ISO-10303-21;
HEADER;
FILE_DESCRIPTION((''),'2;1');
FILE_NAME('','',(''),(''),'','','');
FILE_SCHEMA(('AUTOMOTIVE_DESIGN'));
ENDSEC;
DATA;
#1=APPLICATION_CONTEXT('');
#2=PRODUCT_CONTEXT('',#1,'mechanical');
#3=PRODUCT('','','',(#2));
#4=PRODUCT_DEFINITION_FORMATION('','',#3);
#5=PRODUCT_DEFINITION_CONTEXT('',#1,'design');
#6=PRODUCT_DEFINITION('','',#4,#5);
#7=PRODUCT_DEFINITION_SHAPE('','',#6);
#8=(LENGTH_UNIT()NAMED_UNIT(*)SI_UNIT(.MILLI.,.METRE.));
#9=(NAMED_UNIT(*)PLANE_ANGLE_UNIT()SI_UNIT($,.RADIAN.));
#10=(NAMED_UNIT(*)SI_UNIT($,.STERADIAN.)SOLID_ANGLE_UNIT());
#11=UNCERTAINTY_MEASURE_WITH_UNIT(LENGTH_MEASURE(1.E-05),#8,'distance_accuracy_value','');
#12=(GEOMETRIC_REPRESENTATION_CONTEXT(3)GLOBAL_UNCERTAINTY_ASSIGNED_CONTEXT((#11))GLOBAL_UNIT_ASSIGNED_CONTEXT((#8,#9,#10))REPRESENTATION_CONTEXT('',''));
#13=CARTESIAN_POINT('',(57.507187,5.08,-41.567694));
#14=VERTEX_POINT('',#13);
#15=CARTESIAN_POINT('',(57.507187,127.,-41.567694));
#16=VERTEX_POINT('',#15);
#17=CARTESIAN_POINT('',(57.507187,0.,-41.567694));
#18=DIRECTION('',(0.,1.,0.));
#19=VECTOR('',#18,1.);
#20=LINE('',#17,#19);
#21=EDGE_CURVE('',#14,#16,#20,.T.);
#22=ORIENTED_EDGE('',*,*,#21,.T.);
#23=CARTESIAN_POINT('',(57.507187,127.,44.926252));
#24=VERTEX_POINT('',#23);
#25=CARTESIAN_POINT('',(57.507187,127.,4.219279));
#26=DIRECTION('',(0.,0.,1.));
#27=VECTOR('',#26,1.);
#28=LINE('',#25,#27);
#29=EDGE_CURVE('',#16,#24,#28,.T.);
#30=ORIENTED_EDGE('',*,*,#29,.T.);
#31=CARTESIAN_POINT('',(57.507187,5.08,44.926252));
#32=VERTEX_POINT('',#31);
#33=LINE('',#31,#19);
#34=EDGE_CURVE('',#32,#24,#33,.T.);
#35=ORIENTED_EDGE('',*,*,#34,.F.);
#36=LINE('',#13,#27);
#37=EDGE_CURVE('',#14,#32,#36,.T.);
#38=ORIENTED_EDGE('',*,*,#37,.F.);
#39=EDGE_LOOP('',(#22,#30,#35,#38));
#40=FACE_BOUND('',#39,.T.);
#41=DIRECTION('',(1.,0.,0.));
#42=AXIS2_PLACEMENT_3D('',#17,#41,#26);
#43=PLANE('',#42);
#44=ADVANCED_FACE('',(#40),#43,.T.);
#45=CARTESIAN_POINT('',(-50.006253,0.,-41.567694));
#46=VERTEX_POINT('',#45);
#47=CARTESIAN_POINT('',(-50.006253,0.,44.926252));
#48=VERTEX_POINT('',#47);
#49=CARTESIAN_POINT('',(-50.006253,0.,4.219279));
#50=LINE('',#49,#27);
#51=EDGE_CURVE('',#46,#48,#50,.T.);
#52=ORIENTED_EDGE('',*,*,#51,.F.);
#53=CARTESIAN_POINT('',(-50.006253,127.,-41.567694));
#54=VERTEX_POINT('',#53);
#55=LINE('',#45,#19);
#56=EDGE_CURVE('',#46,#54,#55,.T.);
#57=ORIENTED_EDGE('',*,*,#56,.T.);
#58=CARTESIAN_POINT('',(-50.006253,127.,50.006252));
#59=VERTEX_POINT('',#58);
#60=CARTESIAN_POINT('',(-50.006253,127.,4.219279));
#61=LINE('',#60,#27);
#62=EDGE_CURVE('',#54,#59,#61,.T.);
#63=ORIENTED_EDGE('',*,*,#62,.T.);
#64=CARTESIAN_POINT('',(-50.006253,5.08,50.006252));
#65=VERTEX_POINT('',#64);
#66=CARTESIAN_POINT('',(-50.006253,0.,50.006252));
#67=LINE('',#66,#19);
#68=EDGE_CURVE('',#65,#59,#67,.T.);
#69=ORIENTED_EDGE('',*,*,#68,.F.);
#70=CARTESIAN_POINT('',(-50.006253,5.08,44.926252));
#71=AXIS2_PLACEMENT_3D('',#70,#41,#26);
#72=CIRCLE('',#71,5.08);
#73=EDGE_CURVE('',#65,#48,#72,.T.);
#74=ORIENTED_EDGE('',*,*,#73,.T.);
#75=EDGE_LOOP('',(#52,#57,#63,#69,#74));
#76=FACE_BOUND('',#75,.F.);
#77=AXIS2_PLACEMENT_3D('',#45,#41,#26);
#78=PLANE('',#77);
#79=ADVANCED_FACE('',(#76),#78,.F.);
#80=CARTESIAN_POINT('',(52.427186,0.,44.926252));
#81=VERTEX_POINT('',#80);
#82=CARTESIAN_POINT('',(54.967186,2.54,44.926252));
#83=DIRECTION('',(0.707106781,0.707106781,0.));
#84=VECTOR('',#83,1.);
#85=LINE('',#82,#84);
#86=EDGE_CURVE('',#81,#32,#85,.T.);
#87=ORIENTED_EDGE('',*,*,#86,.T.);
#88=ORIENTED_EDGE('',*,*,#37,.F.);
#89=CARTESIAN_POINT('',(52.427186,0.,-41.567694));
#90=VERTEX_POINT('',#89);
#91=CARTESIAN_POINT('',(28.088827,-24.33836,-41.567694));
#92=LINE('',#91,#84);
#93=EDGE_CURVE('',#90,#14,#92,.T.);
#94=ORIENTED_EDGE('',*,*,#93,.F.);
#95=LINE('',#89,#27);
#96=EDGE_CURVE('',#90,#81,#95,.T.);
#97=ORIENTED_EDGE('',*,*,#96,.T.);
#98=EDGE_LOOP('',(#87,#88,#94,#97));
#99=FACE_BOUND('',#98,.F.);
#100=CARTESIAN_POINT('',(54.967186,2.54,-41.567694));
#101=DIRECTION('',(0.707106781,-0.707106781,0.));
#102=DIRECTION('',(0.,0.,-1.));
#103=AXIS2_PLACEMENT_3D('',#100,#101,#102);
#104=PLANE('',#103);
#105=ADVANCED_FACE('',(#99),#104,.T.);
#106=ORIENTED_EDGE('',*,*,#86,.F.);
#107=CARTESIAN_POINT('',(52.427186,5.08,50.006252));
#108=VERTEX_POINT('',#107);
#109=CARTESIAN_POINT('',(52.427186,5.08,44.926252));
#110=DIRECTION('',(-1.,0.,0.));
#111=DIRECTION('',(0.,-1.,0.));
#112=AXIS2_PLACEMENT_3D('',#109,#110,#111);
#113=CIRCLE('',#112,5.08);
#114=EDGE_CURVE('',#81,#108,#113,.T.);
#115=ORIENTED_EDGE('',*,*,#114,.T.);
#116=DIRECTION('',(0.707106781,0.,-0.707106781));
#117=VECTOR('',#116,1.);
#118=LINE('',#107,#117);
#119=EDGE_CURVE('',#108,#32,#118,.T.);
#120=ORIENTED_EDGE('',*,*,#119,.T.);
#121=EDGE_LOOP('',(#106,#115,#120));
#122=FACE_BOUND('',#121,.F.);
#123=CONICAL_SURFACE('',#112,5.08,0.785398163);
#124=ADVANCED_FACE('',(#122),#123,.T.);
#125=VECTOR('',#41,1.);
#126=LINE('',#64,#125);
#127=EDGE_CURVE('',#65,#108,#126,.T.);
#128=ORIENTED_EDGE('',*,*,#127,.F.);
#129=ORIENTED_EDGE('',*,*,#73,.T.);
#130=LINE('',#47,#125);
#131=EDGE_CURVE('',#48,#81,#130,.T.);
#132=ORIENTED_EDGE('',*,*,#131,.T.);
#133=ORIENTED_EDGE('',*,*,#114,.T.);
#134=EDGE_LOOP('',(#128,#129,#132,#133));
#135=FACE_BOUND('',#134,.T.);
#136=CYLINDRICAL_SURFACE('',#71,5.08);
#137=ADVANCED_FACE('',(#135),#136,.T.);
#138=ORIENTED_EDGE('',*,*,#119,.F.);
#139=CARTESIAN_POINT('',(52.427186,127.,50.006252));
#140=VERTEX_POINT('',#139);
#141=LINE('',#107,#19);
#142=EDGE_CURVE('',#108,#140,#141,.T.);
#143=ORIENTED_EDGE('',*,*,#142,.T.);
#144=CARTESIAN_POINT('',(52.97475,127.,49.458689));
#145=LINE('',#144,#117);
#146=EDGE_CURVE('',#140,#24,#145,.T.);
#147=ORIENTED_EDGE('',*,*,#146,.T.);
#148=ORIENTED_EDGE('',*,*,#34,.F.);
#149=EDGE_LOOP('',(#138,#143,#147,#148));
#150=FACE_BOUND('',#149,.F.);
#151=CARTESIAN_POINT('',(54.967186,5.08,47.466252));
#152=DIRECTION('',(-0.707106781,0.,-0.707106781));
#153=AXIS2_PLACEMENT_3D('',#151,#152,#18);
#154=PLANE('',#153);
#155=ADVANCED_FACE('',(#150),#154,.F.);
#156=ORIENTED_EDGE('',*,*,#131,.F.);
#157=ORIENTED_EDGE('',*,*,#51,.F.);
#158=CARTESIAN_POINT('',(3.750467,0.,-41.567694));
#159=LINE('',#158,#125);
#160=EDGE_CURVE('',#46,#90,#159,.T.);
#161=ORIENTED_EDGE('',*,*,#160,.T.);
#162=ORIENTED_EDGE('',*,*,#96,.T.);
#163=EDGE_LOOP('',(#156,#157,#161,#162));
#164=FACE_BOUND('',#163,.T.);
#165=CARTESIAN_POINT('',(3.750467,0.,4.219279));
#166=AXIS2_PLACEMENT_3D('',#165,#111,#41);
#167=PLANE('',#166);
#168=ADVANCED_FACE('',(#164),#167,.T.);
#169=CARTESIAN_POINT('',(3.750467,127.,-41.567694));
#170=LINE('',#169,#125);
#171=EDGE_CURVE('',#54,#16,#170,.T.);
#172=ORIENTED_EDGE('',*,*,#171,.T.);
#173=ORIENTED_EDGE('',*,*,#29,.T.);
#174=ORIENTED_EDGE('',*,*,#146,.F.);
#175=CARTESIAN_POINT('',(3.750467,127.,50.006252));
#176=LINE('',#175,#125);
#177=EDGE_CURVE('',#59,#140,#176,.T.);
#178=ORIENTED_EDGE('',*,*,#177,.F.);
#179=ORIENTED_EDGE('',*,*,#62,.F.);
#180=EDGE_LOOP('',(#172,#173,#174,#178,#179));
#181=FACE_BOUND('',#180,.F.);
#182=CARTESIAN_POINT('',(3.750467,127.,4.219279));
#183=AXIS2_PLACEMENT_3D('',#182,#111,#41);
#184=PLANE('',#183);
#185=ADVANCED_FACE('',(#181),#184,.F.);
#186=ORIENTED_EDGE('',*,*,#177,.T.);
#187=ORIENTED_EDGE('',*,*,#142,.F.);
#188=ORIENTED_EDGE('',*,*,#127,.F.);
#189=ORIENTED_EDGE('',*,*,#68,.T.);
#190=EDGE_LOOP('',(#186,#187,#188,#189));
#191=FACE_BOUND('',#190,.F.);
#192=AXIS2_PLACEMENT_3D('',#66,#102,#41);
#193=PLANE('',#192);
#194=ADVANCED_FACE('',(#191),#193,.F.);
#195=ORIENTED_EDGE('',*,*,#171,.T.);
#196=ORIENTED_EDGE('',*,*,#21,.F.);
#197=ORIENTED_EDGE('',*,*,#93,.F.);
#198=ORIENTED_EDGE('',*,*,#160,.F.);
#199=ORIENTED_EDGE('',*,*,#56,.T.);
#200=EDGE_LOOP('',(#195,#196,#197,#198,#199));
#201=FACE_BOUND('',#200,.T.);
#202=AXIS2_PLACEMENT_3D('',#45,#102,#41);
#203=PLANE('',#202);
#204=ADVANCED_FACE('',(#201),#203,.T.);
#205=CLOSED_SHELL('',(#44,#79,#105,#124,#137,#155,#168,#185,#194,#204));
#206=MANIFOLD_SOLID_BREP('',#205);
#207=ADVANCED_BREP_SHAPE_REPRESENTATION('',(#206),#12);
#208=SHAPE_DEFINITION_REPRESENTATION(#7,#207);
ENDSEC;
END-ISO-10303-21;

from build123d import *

# Parameters (mm, degrees)
F0_W     = 107.513439
F0_H     = 91.573946
F1_DEPTH = 127
F2_R     = 5.08
F3_SIZE  = 5.08


with BuildPart() as f1:
    # F0 (on Front) → F1 (new body)
    with BuildSketch(Plane.XZ):
        with Locations((3.750467, 4.219279)):
            Rectangle(F0_W, F0_H)
    extrude(amount=-F1_DEPTH)

    # F2
    f2_edges = [f1.edges().sort_by_distance(p)[0] for p in [
        (3.750468, 0, 50.006252),
    ]]
    fillet(f2_edges, radius=F2_R)

    # F3
    f3_edges = [f1.edges().sort_by_distance(p)[0] for p in [
        (57.507187, 66.04, 50.006252),
    ]]
    chamfer(f3_edges, length=F3_SIZE)


solid = f1.part
